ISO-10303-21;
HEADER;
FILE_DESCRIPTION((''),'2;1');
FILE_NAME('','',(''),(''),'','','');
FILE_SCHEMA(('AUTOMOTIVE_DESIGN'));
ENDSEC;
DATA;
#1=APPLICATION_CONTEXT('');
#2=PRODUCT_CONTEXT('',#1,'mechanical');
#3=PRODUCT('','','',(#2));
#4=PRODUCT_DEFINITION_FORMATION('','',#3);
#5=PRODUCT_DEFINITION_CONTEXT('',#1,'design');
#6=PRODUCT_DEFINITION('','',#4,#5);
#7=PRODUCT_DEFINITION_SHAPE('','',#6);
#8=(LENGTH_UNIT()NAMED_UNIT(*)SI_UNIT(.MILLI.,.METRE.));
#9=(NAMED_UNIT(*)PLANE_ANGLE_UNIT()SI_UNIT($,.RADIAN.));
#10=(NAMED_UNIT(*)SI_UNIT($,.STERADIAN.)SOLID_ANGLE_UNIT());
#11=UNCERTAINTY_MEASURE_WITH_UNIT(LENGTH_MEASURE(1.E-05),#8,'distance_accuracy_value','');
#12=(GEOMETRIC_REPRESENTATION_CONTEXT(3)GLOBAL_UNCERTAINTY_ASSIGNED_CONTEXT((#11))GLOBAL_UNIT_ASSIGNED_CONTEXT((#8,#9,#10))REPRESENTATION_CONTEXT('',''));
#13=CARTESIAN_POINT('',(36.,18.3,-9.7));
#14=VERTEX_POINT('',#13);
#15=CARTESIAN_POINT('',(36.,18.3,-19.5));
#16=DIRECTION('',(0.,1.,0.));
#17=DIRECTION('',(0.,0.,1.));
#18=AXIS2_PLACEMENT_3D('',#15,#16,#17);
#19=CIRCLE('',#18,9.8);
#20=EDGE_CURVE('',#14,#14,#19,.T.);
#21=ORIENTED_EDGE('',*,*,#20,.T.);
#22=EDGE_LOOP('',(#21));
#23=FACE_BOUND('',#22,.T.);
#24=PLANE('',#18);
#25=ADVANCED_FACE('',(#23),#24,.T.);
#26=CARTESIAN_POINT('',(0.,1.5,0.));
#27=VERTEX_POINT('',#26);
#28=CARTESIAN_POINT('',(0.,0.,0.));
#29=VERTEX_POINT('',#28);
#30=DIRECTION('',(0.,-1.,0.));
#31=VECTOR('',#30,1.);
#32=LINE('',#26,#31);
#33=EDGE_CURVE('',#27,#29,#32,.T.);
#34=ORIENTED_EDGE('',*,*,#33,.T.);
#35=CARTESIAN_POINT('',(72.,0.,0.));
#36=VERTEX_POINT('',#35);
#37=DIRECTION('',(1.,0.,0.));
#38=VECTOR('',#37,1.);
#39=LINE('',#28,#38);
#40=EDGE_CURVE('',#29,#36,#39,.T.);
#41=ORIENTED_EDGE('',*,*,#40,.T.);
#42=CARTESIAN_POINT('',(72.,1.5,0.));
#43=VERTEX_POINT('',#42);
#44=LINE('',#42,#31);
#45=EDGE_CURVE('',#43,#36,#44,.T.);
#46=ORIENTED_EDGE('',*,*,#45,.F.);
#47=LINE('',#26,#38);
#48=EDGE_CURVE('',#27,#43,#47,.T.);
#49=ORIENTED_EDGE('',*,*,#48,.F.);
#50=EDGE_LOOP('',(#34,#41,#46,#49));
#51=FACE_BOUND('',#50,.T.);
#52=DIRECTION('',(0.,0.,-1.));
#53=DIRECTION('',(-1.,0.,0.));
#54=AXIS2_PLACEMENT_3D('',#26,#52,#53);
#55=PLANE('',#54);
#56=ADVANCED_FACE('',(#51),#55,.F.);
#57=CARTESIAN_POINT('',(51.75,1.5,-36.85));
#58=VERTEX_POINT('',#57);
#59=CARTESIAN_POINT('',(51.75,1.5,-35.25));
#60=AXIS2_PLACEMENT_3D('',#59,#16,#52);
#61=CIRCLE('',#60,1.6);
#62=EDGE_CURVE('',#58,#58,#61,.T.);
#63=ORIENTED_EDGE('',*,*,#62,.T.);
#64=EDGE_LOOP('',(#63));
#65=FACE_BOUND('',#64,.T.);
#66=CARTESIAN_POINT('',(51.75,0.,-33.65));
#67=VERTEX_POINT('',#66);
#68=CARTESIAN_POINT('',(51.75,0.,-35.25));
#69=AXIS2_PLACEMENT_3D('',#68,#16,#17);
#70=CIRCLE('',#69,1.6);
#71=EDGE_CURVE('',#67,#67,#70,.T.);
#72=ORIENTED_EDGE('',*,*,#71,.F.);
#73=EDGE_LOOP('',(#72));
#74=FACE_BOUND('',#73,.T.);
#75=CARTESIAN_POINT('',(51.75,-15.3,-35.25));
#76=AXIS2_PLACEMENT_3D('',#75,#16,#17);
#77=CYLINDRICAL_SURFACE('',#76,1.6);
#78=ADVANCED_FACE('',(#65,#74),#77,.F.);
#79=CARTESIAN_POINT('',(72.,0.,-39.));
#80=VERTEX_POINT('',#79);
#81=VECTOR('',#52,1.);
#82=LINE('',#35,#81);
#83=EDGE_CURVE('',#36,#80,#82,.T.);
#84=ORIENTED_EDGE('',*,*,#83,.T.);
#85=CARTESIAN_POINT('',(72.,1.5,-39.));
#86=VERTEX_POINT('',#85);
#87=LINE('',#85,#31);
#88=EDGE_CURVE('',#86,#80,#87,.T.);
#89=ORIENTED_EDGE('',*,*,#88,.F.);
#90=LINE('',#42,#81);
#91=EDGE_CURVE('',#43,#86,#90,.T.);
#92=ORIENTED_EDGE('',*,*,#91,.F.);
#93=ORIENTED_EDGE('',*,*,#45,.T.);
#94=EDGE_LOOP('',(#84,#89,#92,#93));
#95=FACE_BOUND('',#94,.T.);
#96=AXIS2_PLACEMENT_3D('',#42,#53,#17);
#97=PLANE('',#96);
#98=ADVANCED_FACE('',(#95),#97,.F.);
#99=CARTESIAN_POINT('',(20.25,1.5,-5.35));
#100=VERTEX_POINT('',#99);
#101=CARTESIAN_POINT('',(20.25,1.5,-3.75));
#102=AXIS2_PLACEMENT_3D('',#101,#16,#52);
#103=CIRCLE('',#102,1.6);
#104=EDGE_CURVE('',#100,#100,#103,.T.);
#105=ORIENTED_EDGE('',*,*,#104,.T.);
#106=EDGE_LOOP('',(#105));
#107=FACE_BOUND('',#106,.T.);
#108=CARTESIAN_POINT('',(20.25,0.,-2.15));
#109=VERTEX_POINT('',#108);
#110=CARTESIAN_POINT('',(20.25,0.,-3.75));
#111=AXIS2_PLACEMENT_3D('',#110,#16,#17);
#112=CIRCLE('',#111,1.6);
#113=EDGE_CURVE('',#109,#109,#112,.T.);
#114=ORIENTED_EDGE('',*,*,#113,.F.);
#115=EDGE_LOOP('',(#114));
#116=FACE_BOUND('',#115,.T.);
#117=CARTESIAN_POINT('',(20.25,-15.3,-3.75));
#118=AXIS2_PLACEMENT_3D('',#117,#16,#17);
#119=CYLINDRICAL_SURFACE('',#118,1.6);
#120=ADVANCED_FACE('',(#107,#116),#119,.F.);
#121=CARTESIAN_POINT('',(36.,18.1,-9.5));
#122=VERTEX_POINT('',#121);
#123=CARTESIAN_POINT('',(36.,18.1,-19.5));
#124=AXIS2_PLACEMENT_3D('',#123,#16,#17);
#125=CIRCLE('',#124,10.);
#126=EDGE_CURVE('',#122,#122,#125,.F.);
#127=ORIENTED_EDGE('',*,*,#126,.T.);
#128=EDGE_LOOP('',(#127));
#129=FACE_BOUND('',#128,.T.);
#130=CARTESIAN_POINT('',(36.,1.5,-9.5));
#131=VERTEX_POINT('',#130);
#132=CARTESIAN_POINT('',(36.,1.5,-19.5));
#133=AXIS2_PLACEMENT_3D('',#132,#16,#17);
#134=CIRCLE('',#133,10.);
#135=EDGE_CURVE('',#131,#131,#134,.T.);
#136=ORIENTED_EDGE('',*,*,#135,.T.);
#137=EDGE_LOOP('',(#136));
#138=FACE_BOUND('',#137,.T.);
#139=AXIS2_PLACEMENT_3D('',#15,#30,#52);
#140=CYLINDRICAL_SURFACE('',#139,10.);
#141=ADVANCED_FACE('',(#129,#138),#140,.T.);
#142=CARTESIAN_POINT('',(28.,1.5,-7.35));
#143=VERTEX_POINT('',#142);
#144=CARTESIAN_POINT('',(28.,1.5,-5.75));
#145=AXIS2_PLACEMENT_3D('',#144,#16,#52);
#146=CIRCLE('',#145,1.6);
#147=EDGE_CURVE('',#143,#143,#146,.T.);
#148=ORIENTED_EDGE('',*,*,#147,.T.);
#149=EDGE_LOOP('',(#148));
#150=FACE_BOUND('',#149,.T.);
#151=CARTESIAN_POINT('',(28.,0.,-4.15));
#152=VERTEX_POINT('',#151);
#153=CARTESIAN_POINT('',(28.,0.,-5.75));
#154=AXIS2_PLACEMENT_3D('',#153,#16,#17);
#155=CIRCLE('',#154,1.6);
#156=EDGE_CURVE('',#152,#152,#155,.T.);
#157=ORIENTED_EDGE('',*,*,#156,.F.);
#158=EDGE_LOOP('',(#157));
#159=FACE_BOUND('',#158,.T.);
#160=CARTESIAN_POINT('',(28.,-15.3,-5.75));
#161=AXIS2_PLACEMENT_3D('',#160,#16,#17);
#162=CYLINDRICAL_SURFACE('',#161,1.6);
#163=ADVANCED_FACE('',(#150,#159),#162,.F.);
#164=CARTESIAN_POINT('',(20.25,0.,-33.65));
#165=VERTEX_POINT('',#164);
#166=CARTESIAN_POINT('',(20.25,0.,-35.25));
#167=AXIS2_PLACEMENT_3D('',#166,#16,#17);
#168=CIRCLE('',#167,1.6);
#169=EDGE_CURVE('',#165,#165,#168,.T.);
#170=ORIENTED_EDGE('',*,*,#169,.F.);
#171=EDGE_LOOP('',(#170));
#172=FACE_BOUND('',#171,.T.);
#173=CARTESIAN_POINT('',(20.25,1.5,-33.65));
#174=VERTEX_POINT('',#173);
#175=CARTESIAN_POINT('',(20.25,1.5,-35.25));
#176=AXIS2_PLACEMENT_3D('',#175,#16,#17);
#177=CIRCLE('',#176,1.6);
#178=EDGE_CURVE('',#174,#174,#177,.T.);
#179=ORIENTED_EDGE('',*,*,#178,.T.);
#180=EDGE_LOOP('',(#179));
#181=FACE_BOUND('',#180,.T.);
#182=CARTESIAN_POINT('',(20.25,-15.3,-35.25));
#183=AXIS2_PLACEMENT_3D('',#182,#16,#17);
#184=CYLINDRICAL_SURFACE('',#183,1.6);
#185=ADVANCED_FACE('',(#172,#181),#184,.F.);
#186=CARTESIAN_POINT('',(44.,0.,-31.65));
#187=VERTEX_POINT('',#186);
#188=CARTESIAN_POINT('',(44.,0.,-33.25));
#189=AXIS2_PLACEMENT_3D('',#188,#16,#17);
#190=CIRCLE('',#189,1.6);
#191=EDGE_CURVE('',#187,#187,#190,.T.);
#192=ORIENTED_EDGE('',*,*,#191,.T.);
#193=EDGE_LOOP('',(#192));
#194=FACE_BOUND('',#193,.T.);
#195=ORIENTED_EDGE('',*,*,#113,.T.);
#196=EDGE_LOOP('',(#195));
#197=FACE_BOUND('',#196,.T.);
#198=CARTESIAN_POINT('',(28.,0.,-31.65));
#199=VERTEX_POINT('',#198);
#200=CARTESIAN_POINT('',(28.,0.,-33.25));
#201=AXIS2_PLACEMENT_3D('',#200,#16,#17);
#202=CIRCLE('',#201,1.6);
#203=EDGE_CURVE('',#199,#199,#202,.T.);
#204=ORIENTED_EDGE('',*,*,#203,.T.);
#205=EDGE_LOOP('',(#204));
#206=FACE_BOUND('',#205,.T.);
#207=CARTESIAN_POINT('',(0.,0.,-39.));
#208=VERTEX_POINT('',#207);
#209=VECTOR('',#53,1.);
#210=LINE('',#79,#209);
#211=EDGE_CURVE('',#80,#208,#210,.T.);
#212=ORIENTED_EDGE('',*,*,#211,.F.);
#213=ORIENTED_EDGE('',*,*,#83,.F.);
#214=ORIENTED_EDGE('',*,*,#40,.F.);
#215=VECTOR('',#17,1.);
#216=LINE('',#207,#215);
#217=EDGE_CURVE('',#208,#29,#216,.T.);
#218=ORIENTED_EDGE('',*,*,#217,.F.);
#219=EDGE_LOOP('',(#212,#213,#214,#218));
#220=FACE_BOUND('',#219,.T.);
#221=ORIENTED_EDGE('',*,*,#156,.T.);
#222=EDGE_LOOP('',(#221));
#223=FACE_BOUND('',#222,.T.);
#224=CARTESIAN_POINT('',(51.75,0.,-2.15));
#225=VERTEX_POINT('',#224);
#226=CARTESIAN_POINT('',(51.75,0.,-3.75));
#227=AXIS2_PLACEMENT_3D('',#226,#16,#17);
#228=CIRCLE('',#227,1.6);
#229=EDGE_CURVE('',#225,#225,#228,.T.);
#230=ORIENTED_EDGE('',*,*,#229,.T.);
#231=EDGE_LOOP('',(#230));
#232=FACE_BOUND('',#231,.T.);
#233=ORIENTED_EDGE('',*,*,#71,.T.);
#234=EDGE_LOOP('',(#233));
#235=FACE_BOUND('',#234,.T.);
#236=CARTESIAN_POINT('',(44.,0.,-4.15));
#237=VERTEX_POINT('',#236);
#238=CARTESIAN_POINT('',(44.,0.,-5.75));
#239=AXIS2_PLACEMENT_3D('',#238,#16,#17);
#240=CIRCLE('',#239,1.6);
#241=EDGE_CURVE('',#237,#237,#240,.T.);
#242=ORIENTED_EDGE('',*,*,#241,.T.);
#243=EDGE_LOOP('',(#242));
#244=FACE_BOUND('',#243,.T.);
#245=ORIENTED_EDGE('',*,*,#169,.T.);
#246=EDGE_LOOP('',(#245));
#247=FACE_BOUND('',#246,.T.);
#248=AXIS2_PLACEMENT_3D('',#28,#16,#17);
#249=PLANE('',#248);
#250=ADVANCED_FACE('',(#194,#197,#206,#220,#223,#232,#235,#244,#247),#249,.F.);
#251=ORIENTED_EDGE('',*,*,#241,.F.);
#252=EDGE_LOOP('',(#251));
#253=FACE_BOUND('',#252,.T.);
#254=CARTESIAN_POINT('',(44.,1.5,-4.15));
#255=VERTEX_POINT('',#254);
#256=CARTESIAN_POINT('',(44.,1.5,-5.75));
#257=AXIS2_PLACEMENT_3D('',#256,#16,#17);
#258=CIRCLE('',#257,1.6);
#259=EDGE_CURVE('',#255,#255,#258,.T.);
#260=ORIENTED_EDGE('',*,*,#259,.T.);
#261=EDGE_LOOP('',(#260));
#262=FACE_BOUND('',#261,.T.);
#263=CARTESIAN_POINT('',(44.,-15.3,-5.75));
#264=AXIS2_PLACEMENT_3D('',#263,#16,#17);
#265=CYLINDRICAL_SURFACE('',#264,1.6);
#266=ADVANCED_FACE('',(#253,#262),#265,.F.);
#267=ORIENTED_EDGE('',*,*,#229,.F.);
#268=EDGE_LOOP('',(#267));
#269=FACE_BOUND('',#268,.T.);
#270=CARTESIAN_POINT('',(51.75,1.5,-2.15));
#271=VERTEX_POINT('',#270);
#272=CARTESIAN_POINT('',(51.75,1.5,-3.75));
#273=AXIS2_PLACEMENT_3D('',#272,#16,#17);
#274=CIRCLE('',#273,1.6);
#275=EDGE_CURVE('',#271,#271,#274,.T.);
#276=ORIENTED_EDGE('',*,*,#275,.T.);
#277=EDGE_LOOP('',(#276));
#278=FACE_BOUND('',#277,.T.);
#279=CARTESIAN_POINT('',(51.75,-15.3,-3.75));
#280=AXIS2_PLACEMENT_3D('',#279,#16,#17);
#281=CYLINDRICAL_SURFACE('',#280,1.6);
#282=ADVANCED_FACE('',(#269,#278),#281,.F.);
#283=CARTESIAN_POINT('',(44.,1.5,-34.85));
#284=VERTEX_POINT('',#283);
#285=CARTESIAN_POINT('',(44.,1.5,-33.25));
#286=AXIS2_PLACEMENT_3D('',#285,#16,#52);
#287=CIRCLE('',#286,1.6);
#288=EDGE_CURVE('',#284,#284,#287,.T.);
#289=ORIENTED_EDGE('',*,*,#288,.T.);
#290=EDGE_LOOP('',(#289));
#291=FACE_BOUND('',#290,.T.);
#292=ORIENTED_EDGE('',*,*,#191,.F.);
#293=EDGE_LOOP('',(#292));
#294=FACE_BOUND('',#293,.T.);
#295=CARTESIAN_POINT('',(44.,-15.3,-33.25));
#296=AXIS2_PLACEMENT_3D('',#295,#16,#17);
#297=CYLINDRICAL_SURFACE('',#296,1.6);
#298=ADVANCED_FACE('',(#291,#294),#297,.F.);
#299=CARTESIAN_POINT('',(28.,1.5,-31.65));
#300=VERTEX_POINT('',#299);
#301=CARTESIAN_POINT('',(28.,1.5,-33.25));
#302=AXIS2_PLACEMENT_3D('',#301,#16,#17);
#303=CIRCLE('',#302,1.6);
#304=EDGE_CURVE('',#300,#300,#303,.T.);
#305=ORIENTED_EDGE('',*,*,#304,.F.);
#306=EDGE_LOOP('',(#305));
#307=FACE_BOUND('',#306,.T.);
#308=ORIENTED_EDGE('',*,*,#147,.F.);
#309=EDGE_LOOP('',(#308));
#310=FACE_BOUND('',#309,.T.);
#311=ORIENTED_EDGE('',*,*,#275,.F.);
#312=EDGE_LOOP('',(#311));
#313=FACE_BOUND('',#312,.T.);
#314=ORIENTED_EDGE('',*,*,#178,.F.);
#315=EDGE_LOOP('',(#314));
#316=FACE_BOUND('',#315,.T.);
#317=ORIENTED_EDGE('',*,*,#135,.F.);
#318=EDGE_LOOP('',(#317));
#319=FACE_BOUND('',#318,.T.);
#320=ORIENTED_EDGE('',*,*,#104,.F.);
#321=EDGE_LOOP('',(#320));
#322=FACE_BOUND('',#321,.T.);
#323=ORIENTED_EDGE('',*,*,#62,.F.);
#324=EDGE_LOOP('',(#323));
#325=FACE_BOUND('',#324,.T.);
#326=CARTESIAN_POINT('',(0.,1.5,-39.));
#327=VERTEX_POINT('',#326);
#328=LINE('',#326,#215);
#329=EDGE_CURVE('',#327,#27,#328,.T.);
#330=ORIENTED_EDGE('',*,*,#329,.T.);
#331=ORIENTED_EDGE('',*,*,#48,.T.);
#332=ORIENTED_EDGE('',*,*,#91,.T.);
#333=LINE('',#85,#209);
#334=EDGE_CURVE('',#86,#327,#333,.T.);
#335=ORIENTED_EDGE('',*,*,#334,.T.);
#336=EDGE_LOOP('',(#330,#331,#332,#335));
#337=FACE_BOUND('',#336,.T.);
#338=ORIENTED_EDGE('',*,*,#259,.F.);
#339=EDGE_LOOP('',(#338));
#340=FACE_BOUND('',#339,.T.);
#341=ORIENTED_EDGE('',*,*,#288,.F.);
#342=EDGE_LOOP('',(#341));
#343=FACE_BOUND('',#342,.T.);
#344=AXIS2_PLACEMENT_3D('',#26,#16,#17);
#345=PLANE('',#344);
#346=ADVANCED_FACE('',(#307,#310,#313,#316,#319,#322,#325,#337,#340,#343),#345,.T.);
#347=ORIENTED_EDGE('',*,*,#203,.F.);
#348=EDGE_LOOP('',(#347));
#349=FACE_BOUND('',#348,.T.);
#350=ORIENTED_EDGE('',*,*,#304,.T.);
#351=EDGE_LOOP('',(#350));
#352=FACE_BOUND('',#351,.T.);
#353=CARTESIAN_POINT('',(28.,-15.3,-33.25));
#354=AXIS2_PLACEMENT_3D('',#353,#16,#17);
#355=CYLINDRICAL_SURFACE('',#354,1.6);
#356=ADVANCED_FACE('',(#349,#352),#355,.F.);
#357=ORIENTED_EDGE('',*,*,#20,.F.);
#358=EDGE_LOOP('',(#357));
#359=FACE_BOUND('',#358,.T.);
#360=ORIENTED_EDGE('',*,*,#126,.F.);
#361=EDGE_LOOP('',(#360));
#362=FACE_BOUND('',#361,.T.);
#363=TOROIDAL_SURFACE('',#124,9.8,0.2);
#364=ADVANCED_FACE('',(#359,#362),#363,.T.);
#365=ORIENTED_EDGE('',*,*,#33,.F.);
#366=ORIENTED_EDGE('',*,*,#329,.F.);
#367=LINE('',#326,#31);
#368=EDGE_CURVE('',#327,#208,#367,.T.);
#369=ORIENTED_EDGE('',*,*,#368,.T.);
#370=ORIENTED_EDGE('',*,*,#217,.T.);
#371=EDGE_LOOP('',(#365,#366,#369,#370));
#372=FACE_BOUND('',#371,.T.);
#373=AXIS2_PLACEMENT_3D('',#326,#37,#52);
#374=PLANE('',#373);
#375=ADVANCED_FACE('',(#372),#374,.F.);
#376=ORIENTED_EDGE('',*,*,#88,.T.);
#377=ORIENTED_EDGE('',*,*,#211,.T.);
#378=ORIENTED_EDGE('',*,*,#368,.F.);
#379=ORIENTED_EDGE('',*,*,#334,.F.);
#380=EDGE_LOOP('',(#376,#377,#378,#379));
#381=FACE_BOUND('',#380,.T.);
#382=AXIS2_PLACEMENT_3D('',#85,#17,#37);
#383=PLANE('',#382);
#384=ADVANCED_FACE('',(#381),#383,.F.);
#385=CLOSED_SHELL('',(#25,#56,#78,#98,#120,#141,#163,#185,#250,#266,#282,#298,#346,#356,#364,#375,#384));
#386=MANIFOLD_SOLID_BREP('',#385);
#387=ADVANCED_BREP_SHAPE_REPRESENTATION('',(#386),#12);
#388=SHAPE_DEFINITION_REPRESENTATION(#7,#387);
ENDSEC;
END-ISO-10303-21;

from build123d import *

# Parameters (mm, degrees)
SKETCH1_W           = 72
SKETCH1_H           = 39
BOSS_EXTRUDE1_DEPTH = 1.5
SKETCH2_R           = 10
BOSS_EXTRUDE2_DEPTH = 16.8
SKETCH3_R           = 1.6
CUT_EXTRUDE1_DEPTH  = 16.8
SKETCH4_R           = 1.6
CUT_EXTRUDE2_DEPTH  = 16.8
FILLET1_R           = 0.2


with BuildPart() as part:
    # Sketch1 → Boss-Extrude1 (new body)
    with BuildSketch(Plane(origin=(0, 0, 0), x_dir=(1, 0, 0), z_dir=(0, 1, 0))):
        with Locations((36, 19.5)):
            Rectangle(SKETCH1_W, SKETCH1_H)
    extrude(amount=BOSS_EXTRUDE1_DEPTH)

    # Sketch2 → Boss-Extrude2 (add)
    with BuildSketch(Plane(origin=(0, 1.5, 0), x_dir=(1, 0, 0), z_dir=(0, 1, 0))):
        with Locations((36, 19.5)):
            Circle(SKETCH2_R)
    extrude(amount=BOSS_EXTRUDE2_DEPTH)

    # Sketch3 → Cut-Extrude1 (cut)
    with BuildSketch(Plane(origin=(0, 1.5, 0), x_dir=(1, 0, 0), z_dir=(0, 1, 0))):
        with Locations((44, 5.75)):
            Circle(SKETCH3_R)
        with Locations((28, 5.75)):
            Circle(SKETCH3_R)
        with Locations((28, 33.25)):
            Circle(SKETCH3_R)
        with Locations((44, 33.25)):
            Circle(SKETCH3_R)
    extrude(amount=-CUT_EXTRUDE1_DEPTH, mode=Mode.SUBTRACT)

    # Sketch4 → Cut-Extrude2 (cut)
    with BuildSketch(Plane(origin=(0, 1.5, 0), x_dir=(1, 0, 0), z_dir=(0, 1, 0))):
        with Locations((51.75, 3.75)):
            Circle(SKETCH4_R)
        with Locations((51.75, 35.25)):
            Circle(SKETCH4_R)
        with Locations((20.25, 3.75)):
            Circle(SKETCH4_R)
        with Locations((20.25, 35.25)):
            Circle(SKETCH4_R)
    extrude(amount=-CUT_EXTRUDE2_DEPTH, mode=Mode.SUBTRACT)

    # Fillet1
    fillet1_edges = [part.edges().sort_by_distance(p)[0] for p in [
        (26, 18.3, -19.5),
    ]]
    fillet(fillet1_edges, radius=FILLET1_R)


solid = part.part
